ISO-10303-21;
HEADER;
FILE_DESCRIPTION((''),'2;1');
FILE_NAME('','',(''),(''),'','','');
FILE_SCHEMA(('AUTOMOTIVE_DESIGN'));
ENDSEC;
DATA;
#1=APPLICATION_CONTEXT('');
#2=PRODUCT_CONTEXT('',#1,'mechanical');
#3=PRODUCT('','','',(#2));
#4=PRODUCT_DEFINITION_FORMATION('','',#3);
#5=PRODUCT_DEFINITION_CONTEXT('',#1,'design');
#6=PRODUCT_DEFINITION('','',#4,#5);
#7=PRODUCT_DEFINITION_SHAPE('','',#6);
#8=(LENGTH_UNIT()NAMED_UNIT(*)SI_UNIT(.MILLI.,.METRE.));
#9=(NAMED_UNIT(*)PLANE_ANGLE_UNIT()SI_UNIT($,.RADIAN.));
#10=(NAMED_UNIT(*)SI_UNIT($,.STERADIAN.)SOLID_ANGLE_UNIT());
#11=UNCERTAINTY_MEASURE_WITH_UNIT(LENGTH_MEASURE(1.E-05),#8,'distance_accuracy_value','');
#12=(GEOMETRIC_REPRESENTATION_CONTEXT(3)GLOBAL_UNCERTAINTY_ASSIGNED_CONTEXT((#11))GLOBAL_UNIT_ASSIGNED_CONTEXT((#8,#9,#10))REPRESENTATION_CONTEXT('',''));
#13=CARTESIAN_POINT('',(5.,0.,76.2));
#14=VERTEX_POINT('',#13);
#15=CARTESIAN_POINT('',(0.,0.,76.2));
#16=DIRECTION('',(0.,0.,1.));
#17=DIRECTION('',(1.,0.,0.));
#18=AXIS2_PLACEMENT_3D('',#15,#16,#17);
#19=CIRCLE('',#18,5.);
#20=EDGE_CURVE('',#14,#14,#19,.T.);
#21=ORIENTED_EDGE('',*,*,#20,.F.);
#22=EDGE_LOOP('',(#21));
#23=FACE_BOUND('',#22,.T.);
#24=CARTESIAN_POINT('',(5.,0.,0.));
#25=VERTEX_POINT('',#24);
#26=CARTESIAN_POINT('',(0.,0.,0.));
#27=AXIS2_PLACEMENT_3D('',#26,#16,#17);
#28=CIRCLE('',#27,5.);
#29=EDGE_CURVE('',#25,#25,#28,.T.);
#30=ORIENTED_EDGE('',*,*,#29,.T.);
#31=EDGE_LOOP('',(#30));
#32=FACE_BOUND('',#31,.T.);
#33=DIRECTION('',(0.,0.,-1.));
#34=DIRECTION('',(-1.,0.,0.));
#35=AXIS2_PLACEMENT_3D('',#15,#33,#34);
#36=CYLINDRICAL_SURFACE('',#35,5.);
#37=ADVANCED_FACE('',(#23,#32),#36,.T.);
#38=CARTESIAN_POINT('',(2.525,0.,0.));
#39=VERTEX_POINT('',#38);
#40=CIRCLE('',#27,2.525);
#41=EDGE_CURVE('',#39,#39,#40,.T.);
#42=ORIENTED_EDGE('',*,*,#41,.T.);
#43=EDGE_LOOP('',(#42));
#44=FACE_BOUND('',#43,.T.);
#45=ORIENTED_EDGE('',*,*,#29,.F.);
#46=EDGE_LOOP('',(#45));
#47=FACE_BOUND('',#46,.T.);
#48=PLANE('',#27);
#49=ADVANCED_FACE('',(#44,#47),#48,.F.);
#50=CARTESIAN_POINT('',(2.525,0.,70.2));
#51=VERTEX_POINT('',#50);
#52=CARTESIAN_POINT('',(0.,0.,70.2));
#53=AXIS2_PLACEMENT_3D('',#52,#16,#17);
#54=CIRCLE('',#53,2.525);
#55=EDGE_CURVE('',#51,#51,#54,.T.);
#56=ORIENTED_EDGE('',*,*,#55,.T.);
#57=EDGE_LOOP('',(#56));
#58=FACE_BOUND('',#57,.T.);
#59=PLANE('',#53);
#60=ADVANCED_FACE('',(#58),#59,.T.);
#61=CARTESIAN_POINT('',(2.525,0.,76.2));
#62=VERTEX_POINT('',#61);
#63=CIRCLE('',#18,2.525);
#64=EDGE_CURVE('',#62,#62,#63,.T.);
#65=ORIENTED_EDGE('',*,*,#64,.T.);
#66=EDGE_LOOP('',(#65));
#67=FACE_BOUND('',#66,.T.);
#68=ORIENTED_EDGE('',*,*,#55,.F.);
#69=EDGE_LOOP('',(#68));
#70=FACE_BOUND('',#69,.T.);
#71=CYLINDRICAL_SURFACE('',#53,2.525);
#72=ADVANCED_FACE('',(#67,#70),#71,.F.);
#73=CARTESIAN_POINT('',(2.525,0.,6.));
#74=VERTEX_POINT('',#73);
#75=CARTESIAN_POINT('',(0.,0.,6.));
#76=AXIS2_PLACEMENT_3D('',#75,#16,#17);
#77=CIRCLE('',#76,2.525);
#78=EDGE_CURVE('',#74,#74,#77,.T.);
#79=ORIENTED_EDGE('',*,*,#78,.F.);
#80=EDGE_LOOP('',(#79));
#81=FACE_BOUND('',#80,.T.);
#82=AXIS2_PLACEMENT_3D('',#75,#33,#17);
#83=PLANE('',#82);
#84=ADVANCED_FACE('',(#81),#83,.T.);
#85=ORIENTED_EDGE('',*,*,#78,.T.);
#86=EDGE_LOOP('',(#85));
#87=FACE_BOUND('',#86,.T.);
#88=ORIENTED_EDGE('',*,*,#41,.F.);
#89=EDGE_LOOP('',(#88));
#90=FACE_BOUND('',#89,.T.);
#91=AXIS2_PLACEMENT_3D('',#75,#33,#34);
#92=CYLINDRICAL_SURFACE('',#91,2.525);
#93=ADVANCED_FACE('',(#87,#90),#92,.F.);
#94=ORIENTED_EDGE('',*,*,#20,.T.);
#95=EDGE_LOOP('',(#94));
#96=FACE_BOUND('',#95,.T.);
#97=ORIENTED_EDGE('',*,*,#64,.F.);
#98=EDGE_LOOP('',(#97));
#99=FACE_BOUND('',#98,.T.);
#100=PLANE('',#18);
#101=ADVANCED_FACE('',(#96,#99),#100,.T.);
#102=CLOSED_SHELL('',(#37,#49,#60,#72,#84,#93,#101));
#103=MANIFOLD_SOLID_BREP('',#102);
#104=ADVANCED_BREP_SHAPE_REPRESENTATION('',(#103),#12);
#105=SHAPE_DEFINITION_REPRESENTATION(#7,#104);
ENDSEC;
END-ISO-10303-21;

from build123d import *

# Parameters (mm, degrees)
SKETCH1_R           = 5
BOSS_EXTRUDE1_DEPTH = 76.2
SKETCH2_R           = 2.525
CUT_EXTRUDE1_DEPTH  = 6


with BuildPart() as part:
    # Sketch1 → Boss-Extrude1 (new body)
    with BuildSketch(Plane.XY):
        Circle(SKETCH1_R)
    extrude(amount=BOSS_EXTRUDE1_DEPTH)

    # Sketch2 → Cut-Extrude1 (cut)
    with BuildSketch(Plane.XY.offset(76.2)):
        Circle(SKETCH2_R)
    cut_extrude1 = extrude(amount=-CUT_EXTRUDE1_DEPTH, mode=Mode.SUBTRACT)

    # Mirror1: Cut-Extrude1 across plane
    add(cut_extrude1.mirror(Plane(origin=(0, 0, 38.1), x_dir=(1, 0, 0), z_dir=(0, 0, -1))), mode=Mode.SUBTRACT)


solid = part.part
